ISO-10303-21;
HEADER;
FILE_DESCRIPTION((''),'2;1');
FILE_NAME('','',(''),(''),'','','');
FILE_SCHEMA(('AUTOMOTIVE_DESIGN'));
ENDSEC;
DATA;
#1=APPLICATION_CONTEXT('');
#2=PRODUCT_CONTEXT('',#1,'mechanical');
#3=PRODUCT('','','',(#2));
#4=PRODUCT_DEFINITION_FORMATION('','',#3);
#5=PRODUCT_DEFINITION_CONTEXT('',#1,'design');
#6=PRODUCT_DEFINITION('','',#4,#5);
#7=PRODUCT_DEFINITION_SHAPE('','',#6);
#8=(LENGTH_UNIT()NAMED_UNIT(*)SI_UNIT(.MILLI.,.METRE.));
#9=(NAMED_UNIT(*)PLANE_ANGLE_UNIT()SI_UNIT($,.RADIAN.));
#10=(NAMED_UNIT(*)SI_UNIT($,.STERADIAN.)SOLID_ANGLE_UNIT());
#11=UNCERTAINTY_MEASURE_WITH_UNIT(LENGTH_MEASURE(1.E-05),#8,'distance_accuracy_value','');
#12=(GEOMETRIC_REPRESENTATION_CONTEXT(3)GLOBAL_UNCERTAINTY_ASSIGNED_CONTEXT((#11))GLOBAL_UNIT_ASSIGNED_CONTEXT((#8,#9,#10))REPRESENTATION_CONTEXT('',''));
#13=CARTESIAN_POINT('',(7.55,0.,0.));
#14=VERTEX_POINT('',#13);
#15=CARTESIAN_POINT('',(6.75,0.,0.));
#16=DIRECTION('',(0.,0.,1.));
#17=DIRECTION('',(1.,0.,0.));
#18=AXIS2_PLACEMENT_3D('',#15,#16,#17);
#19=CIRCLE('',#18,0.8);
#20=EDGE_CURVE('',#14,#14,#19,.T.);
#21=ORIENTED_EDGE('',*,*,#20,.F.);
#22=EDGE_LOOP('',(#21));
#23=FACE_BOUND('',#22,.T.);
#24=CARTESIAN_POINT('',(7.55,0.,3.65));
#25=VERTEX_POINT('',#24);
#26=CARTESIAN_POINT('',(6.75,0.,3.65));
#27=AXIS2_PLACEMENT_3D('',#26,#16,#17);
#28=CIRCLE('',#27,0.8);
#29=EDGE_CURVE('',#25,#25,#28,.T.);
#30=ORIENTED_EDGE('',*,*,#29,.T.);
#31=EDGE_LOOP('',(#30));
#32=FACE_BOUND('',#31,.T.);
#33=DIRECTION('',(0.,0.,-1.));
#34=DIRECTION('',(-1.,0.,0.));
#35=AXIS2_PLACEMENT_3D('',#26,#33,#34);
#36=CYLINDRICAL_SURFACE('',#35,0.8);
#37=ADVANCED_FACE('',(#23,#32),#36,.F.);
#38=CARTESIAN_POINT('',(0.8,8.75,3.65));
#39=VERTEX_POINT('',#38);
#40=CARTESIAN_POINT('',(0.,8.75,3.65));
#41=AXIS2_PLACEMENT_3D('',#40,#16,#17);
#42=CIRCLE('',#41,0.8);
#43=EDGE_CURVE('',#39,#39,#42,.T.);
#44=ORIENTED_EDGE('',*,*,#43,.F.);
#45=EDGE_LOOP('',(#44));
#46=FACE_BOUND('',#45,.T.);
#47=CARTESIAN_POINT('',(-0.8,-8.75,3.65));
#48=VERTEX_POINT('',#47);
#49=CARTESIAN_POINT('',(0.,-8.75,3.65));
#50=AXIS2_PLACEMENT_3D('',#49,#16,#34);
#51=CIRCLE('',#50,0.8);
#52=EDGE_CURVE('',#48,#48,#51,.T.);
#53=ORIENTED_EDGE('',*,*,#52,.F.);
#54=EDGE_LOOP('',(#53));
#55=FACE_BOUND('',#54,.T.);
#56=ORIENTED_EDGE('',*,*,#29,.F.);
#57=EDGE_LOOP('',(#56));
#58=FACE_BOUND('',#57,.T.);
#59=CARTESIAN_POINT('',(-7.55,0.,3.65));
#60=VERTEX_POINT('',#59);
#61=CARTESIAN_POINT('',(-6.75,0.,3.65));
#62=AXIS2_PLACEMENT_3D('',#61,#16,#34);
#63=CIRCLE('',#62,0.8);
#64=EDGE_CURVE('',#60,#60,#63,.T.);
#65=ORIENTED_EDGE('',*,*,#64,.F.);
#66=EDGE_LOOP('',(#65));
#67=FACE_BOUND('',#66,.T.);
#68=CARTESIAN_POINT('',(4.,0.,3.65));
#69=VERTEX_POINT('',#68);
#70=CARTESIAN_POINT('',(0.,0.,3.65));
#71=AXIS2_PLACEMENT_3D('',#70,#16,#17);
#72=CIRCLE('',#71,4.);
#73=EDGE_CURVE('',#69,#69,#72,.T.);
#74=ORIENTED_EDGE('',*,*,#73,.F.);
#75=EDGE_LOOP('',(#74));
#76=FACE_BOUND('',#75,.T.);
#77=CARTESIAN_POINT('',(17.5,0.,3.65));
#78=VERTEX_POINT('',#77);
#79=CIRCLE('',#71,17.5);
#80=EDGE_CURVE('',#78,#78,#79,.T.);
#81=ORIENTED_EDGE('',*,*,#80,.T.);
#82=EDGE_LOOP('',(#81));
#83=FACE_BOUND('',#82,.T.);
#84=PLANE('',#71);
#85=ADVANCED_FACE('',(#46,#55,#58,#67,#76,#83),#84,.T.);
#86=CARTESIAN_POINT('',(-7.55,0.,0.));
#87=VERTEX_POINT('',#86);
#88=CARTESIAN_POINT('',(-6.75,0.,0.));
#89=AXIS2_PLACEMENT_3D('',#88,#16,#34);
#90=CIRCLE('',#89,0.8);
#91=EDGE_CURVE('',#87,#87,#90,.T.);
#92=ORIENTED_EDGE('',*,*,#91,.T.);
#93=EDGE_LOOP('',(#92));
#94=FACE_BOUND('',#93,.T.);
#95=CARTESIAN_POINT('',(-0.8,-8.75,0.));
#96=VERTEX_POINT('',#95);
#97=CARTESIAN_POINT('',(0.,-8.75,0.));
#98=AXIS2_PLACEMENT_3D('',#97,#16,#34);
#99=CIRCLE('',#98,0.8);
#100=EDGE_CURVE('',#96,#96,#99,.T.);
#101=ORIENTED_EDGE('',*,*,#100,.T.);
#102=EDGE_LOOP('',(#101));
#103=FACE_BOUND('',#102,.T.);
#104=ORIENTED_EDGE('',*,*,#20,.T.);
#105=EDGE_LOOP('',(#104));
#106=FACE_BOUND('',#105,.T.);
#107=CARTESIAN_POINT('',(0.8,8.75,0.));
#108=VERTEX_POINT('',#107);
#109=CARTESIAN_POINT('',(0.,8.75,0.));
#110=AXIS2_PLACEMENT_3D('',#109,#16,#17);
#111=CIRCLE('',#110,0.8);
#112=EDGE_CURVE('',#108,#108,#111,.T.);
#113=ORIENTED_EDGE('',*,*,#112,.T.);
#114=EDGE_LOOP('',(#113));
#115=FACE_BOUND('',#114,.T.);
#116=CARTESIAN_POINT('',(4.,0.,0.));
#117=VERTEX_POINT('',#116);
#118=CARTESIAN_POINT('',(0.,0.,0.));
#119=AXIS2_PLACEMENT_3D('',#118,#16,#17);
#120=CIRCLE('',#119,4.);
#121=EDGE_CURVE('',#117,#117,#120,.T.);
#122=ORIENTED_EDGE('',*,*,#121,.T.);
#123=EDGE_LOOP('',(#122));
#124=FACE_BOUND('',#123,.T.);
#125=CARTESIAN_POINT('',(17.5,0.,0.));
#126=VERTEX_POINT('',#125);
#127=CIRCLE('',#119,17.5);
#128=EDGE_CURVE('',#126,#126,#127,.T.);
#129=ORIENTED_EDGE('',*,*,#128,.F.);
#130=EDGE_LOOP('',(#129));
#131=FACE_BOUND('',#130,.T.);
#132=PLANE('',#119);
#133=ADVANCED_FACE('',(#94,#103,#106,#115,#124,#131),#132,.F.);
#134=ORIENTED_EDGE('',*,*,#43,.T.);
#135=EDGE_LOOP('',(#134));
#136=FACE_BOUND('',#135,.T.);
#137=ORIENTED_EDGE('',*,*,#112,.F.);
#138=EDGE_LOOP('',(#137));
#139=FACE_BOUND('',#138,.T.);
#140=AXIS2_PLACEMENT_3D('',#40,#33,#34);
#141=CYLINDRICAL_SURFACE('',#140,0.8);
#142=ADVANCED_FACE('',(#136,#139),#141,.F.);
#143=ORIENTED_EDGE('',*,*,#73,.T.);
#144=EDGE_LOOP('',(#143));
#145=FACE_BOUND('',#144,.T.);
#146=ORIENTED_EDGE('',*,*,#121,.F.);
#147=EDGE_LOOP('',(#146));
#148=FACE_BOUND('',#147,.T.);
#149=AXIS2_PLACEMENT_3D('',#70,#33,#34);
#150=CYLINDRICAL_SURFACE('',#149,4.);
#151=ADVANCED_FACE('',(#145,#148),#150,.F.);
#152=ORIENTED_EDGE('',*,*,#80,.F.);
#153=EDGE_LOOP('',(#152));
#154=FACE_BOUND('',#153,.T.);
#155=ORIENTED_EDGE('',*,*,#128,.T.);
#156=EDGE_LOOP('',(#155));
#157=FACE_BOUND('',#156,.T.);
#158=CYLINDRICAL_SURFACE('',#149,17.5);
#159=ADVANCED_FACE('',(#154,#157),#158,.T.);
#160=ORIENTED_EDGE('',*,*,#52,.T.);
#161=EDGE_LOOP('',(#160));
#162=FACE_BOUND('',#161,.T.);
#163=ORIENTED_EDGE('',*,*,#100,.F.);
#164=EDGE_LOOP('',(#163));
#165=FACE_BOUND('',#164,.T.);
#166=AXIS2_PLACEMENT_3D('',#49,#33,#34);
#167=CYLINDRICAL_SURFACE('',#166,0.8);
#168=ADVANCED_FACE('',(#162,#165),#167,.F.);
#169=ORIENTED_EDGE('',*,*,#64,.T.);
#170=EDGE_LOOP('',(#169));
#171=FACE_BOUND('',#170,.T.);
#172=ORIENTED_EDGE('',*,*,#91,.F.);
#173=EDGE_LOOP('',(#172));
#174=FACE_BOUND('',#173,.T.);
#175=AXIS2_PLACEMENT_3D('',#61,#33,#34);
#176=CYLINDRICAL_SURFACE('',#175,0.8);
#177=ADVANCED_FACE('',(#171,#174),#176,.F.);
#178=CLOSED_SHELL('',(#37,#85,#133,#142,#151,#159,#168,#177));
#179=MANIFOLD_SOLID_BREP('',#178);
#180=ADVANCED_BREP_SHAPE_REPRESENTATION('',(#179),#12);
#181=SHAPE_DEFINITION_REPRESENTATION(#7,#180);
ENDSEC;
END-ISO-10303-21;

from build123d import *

# Parameters (mm, degrees)
SKETCH1_R           = 17.5
SKETCH1_R_2         = 4
SKETCH1_R_3         = 0.8
BOSS_EXTRUDE1_DEPTH = 3.65


with BuildPart() as part:
    # Sketch1 → Boss-Extrude1 (new body)
    with BuildSketch(Plane.XY):
        Circle(SKETCH1_R)
        Circle(SKETCH1_R_2, mode=Mode.SUBTRACT)
        with Locations((6.75, 0)):
            Circle(SKETCH1_R_3, mode=Mode.SUBTRACT)
        with Locations((0, 8.75)):
            Circle(SKETCH1_R_3, mode=Mode.SUBTRACT)
        with Locations(Location((0, -8.75, 0), (0, 0, 180))):
            Circle(SKETCH1_R_3, mode=Mode.SUBTRACT)
        with Locations(Location((-6.75, 0, 0), (0, 0, 180))):
            Circle(SKETCH1_R_3, mode=Mode.SUBTRACT)
    extrude(amount=BOSS_EXTRUDE1_DEPTH)


solid = part.part
